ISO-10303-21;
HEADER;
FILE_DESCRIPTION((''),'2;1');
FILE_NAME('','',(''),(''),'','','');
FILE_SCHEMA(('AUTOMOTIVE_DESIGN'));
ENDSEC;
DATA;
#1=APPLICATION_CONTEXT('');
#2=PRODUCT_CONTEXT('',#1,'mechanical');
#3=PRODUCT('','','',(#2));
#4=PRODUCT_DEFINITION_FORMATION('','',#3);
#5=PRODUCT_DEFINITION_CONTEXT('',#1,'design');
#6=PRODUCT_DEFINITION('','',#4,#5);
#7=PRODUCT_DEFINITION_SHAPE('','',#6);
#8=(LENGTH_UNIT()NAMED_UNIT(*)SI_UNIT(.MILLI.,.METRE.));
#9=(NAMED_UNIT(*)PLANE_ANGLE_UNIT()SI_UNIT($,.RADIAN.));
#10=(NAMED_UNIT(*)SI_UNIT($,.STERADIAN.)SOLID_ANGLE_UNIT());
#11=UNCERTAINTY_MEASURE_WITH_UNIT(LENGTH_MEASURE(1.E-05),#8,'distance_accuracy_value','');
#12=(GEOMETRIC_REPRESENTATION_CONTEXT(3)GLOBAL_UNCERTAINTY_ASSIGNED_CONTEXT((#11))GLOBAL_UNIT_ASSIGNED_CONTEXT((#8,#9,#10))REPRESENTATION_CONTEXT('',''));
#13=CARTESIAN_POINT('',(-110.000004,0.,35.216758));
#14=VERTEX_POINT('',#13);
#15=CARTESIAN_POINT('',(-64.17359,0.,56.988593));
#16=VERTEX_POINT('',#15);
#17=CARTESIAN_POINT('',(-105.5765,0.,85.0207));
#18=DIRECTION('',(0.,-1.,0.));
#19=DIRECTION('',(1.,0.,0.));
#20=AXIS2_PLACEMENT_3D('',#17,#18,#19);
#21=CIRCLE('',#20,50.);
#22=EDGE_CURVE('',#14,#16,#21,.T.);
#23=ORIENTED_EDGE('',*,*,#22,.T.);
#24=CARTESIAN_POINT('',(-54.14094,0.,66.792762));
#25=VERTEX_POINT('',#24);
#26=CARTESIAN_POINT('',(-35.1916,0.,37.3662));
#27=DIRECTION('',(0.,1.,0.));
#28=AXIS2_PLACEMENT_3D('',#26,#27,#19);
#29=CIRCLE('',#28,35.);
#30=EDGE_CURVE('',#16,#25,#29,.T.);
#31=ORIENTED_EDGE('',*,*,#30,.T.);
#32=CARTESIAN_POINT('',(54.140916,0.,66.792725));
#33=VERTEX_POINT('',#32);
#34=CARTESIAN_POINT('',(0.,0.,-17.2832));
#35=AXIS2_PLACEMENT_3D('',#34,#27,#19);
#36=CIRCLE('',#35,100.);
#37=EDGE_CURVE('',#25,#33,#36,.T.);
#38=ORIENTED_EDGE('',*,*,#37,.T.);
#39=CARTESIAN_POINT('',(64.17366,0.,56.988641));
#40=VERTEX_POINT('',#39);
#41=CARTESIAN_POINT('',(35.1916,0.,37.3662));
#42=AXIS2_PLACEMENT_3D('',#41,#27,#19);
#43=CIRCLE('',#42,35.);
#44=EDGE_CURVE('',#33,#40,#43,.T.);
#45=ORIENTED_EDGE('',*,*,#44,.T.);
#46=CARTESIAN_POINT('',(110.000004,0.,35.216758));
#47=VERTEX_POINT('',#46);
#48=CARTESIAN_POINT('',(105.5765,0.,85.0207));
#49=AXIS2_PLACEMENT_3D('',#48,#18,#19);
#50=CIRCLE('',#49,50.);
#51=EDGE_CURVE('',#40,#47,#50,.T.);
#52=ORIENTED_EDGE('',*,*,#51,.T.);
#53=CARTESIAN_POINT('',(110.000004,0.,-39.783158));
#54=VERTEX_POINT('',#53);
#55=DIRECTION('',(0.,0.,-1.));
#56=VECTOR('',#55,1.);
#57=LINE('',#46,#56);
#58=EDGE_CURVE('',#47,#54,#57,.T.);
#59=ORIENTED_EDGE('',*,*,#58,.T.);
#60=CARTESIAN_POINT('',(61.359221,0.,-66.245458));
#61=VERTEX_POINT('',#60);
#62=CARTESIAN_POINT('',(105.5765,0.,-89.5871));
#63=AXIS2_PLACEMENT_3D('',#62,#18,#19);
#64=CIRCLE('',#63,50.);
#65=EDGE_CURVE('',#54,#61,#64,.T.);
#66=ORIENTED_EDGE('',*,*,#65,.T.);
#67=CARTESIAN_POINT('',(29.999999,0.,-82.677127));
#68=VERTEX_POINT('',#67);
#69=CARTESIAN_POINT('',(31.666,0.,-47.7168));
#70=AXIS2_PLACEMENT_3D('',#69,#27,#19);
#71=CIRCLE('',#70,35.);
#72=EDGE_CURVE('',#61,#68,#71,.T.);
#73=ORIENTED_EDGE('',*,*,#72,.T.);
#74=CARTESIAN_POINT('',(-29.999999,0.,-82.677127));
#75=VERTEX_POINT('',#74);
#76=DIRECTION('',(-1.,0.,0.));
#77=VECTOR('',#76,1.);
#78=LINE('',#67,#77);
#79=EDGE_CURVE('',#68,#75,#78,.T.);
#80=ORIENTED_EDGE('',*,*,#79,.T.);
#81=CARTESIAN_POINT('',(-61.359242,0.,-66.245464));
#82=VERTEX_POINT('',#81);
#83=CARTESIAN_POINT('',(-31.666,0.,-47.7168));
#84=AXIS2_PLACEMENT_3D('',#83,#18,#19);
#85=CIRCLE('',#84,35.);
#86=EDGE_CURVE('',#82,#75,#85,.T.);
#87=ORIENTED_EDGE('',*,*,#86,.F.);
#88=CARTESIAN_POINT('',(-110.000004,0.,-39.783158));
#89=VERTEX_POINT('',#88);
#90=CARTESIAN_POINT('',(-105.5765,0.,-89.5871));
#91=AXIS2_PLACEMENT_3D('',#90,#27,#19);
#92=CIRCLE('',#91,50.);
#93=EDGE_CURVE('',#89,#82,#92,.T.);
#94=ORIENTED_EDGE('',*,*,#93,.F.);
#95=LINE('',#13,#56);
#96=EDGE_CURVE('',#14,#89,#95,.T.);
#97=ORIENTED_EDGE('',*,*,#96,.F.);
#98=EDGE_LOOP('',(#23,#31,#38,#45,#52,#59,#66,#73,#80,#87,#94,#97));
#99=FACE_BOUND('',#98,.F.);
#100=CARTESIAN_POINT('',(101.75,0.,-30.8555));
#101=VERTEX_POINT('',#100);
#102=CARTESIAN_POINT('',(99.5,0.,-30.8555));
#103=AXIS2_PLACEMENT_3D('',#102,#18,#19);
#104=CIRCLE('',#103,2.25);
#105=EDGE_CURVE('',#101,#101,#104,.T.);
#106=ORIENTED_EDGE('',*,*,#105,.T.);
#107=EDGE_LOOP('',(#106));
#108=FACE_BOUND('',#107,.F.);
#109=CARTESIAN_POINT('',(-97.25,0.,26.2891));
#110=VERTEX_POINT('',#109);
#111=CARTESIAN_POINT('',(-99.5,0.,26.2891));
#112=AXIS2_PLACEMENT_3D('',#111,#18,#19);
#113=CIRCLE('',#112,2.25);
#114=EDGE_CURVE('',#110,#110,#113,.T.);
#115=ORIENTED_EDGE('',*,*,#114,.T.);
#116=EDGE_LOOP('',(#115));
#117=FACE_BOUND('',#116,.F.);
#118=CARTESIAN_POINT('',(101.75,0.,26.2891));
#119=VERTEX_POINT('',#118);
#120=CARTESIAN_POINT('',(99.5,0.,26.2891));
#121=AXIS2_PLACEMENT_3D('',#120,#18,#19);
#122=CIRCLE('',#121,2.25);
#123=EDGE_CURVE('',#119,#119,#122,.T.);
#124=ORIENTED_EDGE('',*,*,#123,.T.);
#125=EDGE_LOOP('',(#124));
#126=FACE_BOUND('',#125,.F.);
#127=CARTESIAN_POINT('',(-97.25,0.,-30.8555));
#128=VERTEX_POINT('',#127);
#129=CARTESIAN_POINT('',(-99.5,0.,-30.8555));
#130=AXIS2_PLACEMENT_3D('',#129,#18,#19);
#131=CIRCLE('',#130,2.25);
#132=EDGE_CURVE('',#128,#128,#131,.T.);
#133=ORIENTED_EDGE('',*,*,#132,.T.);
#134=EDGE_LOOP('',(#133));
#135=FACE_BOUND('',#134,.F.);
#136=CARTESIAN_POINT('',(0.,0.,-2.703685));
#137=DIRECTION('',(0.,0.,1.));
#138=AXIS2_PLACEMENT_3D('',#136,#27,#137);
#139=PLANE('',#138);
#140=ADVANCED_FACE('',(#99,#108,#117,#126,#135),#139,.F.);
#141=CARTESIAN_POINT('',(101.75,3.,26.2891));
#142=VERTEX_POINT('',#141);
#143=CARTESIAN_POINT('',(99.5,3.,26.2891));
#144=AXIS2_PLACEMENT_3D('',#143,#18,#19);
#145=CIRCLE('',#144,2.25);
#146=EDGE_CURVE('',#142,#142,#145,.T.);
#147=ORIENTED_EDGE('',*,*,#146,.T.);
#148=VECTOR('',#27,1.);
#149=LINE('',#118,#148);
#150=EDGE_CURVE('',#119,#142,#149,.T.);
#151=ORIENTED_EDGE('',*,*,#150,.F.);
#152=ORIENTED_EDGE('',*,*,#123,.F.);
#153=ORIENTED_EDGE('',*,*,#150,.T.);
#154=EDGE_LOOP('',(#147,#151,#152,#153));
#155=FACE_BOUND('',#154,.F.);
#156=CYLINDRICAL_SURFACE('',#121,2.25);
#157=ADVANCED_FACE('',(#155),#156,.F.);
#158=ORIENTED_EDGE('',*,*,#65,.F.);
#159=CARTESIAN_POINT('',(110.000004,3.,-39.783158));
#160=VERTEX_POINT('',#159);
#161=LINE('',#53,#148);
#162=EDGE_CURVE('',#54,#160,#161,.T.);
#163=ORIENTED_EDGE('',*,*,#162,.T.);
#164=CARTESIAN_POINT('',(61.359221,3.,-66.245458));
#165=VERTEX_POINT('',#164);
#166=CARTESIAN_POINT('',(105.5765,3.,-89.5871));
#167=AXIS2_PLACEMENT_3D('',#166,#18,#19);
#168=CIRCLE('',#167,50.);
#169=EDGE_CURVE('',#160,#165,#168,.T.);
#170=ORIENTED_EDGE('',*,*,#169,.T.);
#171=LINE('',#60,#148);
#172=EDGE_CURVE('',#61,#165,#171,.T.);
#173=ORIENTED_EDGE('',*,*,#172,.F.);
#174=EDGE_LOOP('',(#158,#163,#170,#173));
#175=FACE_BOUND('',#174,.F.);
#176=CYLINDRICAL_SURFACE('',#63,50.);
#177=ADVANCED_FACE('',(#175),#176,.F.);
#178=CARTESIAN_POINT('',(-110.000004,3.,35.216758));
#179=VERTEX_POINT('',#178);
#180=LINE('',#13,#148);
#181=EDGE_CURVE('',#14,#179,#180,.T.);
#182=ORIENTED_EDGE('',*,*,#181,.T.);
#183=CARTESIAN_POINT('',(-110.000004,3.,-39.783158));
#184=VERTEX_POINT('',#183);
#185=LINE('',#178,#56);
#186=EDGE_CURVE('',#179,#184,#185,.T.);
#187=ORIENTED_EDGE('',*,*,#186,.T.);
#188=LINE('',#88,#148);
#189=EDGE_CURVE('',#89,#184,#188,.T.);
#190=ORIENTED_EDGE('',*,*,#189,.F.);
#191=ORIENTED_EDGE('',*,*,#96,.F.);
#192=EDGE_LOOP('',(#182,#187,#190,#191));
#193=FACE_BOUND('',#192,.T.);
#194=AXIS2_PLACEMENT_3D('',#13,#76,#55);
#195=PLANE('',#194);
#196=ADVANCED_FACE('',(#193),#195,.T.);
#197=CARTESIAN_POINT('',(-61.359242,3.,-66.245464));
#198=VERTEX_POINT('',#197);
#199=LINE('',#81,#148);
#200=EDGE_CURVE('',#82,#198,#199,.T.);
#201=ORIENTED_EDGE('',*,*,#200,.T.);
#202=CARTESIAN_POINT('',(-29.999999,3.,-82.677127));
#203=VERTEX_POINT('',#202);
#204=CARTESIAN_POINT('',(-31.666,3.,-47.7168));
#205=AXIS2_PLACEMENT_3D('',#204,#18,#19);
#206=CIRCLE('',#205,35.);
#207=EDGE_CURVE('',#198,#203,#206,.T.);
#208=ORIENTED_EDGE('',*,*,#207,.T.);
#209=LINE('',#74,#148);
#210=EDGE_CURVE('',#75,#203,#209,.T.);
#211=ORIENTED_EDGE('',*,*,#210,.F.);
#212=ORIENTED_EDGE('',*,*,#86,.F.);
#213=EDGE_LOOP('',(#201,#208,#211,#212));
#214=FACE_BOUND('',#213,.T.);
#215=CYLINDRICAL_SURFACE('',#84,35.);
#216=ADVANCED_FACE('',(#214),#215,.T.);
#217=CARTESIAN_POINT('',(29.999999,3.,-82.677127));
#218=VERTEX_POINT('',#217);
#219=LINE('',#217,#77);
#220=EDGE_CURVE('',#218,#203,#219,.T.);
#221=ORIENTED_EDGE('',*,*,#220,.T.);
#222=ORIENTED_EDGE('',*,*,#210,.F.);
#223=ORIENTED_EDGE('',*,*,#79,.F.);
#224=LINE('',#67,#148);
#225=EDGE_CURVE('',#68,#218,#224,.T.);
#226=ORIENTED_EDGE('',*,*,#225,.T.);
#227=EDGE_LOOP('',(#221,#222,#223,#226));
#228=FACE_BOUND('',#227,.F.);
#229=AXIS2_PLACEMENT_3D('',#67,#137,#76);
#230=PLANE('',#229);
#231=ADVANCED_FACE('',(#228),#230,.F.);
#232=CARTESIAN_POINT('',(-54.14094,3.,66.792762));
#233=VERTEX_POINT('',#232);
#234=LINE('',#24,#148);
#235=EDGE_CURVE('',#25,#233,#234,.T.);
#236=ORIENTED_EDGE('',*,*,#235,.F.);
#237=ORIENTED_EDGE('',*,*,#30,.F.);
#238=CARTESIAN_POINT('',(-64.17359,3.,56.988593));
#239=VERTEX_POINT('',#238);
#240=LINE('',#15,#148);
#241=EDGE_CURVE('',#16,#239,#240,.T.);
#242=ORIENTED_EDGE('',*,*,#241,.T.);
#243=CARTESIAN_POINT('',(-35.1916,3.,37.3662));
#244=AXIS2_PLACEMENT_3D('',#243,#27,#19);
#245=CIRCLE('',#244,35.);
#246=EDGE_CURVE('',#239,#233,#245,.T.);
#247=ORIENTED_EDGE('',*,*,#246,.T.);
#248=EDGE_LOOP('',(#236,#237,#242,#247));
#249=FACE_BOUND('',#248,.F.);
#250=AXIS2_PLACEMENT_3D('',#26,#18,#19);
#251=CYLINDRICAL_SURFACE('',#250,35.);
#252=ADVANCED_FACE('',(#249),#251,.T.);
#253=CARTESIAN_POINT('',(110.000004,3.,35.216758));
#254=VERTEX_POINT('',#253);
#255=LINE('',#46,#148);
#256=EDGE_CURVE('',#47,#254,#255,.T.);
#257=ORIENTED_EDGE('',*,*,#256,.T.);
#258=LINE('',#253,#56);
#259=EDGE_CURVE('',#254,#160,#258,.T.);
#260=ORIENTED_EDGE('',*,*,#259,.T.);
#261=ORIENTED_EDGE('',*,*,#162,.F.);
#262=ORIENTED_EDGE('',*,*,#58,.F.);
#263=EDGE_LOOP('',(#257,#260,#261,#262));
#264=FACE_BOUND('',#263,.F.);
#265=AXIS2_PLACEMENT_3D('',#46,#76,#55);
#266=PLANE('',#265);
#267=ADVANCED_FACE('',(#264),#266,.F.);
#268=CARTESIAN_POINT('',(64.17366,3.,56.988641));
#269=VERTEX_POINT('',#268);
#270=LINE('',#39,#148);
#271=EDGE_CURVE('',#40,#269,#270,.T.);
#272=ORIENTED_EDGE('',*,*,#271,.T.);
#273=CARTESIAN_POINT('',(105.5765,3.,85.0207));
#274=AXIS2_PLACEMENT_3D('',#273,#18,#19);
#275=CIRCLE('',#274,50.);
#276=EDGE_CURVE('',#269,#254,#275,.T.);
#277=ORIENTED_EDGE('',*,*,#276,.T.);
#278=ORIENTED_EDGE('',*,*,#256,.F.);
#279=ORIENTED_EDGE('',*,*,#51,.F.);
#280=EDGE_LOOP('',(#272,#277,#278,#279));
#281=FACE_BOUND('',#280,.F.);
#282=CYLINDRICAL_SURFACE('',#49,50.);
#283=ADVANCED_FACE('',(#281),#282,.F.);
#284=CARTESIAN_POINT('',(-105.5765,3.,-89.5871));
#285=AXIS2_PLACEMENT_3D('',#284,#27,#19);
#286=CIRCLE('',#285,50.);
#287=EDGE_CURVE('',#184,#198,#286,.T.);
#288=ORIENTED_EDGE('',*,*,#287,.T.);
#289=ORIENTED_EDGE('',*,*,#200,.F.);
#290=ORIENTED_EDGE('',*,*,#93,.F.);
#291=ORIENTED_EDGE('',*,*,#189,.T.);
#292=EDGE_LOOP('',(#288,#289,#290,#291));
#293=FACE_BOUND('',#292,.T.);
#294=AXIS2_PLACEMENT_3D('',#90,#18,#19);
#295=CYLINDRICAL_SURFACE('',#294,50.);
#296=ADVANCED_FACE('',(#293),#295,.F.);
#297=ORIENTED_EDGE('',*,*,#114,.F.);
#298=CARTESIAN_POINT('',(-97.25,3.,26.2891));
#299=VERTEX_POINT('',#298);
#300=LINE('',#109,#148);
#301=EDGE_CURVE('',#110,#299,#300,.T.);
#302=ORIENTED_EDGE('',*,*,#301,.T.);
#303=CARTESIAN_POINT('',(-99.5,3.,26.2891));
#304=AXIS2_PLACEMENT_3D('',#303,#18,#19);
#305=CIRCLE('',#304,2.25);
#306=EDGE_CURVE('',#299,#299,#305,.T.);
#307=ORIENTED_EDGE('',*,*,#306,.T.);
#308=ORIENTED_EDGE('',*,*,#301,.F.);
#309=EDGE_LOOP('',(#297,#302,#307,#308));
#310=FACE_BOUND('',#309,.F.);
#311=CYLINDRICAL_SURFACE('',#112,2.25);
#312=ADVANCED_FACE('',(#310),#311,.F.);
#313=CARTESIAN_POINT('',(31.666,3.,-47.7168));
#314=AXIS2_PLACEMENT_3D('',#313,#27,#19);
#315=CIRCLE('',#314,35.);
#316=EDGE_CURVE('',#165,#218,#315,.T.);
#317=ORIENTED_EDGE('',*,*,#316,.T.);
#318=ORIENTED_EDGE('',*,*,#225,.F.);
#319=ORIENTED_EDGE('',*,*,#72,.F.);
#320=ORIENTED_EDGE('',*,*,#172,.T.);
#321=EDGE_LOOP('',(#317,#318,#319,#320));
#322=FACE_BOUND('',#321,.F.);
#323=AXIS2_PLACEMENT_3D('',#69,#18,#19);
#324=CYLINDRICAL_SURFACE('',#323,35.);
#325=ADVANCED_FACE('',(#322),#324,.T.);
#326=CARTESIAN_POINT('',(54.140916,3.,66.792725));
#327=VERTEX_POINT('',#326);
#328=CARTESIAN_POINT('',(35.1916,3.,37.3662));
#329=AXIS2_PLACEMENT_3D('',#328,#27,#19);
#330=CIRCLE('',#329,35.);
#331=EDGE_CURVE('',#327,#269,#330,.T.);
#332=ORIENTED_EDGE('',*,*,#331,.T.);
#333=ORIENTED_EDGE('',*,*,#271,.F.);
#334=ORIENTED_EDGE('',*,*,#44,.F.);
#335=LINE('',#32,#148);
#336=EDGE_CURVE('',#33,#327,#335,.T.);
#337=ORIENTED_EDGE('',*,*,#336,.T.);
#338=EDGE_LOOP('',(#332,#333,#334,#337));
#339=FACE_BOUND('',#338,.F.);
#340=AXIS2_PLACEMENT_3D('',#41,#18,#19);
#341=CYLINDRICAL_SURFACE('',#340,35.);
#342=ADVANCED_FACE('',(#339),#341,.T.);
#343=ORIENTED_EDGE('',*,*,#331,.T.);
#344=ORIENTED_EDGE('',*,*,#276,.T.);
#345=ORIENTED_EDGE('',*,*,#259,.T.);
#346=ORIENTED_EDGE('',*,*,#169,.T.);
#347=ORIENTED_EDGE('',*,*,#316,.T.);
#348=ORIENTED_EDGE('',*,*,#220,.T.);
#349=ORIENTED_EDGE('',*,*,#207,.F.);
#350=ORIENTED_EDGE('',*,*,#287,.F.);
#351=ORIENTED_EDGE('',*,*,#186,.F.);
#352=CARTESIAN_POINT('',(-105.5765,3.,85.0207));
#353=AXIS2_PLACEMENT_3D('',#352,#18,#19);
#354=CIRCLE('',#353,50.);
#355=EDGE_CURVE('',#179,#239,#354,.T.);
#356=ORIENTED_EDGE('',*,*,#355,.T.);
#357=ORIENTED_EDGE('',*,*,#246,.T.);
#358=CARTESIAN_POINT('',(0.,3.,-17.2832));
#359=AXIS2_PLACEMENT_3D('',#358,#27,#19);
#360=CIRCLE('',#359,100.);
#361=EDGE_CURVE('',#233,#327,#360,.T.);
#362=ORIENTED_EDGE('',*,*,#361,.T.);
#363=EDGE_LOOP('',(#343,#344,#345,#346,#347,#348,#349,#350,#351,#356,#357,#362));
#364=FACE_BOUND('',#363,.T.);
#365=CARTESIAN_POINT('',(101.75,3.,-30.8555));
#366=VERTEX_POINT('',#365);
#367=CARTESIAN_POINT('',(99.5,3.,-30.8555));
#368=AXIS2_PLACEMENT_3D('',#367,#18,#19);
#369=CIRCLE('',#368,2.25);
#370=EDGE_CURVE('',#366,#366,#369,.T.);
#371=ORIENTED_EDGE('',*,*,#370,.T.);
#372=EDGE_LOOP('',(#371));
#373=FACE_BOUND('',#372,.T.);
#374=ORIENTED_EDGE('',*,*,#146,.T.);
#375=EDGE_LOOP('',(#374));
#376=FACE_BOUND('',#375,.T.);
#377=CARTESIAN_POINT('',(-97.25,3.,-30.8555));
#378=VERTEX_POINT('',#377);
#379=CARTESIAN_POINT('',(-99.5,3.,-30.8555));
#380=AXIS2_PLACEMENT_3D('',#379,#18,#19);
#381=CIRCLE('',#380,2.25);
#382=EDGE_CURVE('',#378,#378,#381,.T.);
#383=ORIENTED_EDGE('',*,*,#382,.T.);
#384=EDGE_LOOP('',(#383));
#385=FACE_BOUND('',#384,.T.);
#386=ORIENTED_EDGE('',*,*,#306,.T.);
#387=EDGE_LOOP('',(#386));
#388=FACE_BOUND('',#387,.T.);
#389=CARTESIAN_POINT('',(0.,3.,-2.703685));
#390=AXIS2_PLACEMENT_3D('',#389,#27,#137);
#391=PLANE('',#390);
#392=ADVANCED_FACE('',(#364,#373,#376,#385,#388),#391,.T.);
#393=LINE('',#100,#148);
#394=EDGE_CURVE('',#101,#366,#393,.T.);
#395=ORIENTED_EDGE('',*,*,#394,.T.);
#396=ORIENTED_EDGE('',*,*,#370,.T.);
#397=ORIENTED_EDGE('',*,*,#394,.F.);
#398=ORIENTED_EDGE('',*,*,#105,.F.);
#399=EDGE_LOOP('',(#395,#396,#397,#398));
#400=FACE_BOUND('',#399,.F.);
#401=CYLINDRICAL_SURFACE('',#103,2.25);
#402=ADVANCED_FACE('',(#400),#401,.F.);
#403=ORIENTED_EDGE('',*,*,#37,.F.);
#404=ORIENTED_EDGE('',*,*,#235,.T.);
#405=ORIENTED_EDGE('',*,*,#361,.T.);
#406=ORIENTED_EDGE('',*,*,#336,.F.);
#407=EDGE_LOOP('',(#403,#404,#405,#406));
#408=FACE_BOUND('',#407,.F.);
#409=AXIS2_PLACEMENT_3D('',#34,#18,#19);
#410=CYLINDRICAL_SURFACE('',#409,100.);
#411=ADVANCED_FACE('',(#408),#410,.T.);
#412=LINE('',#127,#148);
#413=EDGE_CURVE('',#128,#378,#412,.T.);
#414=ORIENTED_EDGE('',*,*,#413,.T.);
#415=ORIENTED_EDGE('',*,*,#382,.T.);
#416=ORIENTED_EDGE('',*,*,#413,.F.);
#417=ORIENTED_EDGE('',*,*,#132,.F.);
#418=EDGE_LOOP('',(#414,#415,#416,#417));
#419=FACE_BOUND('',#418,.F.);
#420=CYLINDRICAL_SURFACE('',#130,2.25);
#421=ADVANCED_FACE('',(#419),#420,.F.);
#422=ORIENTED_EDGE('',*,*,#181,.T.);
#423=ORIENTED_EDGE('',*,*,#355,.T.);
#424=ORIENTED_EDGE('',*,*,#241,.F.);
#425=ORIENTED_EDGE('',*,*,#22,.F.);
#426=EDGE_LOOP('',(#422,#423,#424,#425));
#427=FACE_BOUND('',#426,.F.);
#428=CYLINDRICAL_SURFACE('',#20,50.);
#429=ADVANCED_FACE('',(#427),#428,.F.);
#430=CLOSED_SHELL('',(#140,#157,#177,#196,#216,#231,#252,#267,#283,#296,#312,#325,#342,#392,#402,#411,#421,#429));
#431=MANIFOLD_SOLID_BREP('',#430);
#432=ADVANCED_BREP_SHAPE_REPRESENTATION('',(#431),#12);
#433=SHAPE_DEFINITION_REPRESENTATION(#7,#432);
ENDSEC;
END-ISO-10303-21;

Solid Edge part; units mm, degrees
sketch "Sketch1" plane through (0, 0, 0) normal (0, -1, 0) x (1, 0, 0)
  circle A0 centre (-99.5, 26.2891) radius 2
  circle A1 centre (-99.5, -30.8555) radius 2
  circle A2 centre (99.5, 26.2891) radius 2
  circle A3 centre (99.5, -30.8555) radius 2
  arc A4 (-110, 35.2168) -> (-64.1736, 56.9886) centre (-105.5765, 85.0207) ccw
  arc A5 (-64.1736, 56.9886) -> (-54.1409, 66.7927) centre (-35.1916, 37.3662) cw
  arc A6 (-54.1409, 66.7927) -> (54.1409, 66.7927) centre (0, -17.2832) cw
  arc A7 (54.1409, 66.7927) -> (64.1736, 56.9886) centre (35.1916, 37.3662) cw
  arc A8 (64.1736, 56.9886) -> (110, 35.2168) centre (105.5765, 85.0207) ccw
  line L0 (110, 35.2168) -> (110, -39.7832)
  arc A9 (110, -39.7832) -> (61.3593, -66.2455) centre (105.5765, -89.5871) ccw
  arc A10 (61.3593, -66.2455) -> (30, -82.6771) centre (31.666, -47.7168) cw
  line L1 (30, -82.6771) -> (-30, -82.6771)
  arc A11 (-61.3593, -66.2455) -> (-30, -82.6771) centre (-31.666, -47.7168) ccw
  arc A12 (-110, -39.7832) -> (-61.3593, -66.2455) centre (-105.5765, -89.5871) cw
  line L2 (-110, 35.2168) -> (-110, -39.7832)
extrude "Extrusionsausprägung_2" add sketch "Sketch1" against normal blind 3
sketch "Sketch2" plane through (0, 0, 0) normal (0, -1, 0) x (1, 0, 0)
  circle A0 centre (-99.5, 26.2891) radius 2.25
  circle A1 centre (-99.5, -30.8555) radius 2.25
  circle A2 centre (99.5, 26.2891) radius 2.25
  circle A3 centre (99.5, -30.8555) radius 2.25
  dimension "D1" = 4.5
extrude "Cutout1" cut sketch "Sketch2" against normal through all
properties material "Nylon, allgemein"
